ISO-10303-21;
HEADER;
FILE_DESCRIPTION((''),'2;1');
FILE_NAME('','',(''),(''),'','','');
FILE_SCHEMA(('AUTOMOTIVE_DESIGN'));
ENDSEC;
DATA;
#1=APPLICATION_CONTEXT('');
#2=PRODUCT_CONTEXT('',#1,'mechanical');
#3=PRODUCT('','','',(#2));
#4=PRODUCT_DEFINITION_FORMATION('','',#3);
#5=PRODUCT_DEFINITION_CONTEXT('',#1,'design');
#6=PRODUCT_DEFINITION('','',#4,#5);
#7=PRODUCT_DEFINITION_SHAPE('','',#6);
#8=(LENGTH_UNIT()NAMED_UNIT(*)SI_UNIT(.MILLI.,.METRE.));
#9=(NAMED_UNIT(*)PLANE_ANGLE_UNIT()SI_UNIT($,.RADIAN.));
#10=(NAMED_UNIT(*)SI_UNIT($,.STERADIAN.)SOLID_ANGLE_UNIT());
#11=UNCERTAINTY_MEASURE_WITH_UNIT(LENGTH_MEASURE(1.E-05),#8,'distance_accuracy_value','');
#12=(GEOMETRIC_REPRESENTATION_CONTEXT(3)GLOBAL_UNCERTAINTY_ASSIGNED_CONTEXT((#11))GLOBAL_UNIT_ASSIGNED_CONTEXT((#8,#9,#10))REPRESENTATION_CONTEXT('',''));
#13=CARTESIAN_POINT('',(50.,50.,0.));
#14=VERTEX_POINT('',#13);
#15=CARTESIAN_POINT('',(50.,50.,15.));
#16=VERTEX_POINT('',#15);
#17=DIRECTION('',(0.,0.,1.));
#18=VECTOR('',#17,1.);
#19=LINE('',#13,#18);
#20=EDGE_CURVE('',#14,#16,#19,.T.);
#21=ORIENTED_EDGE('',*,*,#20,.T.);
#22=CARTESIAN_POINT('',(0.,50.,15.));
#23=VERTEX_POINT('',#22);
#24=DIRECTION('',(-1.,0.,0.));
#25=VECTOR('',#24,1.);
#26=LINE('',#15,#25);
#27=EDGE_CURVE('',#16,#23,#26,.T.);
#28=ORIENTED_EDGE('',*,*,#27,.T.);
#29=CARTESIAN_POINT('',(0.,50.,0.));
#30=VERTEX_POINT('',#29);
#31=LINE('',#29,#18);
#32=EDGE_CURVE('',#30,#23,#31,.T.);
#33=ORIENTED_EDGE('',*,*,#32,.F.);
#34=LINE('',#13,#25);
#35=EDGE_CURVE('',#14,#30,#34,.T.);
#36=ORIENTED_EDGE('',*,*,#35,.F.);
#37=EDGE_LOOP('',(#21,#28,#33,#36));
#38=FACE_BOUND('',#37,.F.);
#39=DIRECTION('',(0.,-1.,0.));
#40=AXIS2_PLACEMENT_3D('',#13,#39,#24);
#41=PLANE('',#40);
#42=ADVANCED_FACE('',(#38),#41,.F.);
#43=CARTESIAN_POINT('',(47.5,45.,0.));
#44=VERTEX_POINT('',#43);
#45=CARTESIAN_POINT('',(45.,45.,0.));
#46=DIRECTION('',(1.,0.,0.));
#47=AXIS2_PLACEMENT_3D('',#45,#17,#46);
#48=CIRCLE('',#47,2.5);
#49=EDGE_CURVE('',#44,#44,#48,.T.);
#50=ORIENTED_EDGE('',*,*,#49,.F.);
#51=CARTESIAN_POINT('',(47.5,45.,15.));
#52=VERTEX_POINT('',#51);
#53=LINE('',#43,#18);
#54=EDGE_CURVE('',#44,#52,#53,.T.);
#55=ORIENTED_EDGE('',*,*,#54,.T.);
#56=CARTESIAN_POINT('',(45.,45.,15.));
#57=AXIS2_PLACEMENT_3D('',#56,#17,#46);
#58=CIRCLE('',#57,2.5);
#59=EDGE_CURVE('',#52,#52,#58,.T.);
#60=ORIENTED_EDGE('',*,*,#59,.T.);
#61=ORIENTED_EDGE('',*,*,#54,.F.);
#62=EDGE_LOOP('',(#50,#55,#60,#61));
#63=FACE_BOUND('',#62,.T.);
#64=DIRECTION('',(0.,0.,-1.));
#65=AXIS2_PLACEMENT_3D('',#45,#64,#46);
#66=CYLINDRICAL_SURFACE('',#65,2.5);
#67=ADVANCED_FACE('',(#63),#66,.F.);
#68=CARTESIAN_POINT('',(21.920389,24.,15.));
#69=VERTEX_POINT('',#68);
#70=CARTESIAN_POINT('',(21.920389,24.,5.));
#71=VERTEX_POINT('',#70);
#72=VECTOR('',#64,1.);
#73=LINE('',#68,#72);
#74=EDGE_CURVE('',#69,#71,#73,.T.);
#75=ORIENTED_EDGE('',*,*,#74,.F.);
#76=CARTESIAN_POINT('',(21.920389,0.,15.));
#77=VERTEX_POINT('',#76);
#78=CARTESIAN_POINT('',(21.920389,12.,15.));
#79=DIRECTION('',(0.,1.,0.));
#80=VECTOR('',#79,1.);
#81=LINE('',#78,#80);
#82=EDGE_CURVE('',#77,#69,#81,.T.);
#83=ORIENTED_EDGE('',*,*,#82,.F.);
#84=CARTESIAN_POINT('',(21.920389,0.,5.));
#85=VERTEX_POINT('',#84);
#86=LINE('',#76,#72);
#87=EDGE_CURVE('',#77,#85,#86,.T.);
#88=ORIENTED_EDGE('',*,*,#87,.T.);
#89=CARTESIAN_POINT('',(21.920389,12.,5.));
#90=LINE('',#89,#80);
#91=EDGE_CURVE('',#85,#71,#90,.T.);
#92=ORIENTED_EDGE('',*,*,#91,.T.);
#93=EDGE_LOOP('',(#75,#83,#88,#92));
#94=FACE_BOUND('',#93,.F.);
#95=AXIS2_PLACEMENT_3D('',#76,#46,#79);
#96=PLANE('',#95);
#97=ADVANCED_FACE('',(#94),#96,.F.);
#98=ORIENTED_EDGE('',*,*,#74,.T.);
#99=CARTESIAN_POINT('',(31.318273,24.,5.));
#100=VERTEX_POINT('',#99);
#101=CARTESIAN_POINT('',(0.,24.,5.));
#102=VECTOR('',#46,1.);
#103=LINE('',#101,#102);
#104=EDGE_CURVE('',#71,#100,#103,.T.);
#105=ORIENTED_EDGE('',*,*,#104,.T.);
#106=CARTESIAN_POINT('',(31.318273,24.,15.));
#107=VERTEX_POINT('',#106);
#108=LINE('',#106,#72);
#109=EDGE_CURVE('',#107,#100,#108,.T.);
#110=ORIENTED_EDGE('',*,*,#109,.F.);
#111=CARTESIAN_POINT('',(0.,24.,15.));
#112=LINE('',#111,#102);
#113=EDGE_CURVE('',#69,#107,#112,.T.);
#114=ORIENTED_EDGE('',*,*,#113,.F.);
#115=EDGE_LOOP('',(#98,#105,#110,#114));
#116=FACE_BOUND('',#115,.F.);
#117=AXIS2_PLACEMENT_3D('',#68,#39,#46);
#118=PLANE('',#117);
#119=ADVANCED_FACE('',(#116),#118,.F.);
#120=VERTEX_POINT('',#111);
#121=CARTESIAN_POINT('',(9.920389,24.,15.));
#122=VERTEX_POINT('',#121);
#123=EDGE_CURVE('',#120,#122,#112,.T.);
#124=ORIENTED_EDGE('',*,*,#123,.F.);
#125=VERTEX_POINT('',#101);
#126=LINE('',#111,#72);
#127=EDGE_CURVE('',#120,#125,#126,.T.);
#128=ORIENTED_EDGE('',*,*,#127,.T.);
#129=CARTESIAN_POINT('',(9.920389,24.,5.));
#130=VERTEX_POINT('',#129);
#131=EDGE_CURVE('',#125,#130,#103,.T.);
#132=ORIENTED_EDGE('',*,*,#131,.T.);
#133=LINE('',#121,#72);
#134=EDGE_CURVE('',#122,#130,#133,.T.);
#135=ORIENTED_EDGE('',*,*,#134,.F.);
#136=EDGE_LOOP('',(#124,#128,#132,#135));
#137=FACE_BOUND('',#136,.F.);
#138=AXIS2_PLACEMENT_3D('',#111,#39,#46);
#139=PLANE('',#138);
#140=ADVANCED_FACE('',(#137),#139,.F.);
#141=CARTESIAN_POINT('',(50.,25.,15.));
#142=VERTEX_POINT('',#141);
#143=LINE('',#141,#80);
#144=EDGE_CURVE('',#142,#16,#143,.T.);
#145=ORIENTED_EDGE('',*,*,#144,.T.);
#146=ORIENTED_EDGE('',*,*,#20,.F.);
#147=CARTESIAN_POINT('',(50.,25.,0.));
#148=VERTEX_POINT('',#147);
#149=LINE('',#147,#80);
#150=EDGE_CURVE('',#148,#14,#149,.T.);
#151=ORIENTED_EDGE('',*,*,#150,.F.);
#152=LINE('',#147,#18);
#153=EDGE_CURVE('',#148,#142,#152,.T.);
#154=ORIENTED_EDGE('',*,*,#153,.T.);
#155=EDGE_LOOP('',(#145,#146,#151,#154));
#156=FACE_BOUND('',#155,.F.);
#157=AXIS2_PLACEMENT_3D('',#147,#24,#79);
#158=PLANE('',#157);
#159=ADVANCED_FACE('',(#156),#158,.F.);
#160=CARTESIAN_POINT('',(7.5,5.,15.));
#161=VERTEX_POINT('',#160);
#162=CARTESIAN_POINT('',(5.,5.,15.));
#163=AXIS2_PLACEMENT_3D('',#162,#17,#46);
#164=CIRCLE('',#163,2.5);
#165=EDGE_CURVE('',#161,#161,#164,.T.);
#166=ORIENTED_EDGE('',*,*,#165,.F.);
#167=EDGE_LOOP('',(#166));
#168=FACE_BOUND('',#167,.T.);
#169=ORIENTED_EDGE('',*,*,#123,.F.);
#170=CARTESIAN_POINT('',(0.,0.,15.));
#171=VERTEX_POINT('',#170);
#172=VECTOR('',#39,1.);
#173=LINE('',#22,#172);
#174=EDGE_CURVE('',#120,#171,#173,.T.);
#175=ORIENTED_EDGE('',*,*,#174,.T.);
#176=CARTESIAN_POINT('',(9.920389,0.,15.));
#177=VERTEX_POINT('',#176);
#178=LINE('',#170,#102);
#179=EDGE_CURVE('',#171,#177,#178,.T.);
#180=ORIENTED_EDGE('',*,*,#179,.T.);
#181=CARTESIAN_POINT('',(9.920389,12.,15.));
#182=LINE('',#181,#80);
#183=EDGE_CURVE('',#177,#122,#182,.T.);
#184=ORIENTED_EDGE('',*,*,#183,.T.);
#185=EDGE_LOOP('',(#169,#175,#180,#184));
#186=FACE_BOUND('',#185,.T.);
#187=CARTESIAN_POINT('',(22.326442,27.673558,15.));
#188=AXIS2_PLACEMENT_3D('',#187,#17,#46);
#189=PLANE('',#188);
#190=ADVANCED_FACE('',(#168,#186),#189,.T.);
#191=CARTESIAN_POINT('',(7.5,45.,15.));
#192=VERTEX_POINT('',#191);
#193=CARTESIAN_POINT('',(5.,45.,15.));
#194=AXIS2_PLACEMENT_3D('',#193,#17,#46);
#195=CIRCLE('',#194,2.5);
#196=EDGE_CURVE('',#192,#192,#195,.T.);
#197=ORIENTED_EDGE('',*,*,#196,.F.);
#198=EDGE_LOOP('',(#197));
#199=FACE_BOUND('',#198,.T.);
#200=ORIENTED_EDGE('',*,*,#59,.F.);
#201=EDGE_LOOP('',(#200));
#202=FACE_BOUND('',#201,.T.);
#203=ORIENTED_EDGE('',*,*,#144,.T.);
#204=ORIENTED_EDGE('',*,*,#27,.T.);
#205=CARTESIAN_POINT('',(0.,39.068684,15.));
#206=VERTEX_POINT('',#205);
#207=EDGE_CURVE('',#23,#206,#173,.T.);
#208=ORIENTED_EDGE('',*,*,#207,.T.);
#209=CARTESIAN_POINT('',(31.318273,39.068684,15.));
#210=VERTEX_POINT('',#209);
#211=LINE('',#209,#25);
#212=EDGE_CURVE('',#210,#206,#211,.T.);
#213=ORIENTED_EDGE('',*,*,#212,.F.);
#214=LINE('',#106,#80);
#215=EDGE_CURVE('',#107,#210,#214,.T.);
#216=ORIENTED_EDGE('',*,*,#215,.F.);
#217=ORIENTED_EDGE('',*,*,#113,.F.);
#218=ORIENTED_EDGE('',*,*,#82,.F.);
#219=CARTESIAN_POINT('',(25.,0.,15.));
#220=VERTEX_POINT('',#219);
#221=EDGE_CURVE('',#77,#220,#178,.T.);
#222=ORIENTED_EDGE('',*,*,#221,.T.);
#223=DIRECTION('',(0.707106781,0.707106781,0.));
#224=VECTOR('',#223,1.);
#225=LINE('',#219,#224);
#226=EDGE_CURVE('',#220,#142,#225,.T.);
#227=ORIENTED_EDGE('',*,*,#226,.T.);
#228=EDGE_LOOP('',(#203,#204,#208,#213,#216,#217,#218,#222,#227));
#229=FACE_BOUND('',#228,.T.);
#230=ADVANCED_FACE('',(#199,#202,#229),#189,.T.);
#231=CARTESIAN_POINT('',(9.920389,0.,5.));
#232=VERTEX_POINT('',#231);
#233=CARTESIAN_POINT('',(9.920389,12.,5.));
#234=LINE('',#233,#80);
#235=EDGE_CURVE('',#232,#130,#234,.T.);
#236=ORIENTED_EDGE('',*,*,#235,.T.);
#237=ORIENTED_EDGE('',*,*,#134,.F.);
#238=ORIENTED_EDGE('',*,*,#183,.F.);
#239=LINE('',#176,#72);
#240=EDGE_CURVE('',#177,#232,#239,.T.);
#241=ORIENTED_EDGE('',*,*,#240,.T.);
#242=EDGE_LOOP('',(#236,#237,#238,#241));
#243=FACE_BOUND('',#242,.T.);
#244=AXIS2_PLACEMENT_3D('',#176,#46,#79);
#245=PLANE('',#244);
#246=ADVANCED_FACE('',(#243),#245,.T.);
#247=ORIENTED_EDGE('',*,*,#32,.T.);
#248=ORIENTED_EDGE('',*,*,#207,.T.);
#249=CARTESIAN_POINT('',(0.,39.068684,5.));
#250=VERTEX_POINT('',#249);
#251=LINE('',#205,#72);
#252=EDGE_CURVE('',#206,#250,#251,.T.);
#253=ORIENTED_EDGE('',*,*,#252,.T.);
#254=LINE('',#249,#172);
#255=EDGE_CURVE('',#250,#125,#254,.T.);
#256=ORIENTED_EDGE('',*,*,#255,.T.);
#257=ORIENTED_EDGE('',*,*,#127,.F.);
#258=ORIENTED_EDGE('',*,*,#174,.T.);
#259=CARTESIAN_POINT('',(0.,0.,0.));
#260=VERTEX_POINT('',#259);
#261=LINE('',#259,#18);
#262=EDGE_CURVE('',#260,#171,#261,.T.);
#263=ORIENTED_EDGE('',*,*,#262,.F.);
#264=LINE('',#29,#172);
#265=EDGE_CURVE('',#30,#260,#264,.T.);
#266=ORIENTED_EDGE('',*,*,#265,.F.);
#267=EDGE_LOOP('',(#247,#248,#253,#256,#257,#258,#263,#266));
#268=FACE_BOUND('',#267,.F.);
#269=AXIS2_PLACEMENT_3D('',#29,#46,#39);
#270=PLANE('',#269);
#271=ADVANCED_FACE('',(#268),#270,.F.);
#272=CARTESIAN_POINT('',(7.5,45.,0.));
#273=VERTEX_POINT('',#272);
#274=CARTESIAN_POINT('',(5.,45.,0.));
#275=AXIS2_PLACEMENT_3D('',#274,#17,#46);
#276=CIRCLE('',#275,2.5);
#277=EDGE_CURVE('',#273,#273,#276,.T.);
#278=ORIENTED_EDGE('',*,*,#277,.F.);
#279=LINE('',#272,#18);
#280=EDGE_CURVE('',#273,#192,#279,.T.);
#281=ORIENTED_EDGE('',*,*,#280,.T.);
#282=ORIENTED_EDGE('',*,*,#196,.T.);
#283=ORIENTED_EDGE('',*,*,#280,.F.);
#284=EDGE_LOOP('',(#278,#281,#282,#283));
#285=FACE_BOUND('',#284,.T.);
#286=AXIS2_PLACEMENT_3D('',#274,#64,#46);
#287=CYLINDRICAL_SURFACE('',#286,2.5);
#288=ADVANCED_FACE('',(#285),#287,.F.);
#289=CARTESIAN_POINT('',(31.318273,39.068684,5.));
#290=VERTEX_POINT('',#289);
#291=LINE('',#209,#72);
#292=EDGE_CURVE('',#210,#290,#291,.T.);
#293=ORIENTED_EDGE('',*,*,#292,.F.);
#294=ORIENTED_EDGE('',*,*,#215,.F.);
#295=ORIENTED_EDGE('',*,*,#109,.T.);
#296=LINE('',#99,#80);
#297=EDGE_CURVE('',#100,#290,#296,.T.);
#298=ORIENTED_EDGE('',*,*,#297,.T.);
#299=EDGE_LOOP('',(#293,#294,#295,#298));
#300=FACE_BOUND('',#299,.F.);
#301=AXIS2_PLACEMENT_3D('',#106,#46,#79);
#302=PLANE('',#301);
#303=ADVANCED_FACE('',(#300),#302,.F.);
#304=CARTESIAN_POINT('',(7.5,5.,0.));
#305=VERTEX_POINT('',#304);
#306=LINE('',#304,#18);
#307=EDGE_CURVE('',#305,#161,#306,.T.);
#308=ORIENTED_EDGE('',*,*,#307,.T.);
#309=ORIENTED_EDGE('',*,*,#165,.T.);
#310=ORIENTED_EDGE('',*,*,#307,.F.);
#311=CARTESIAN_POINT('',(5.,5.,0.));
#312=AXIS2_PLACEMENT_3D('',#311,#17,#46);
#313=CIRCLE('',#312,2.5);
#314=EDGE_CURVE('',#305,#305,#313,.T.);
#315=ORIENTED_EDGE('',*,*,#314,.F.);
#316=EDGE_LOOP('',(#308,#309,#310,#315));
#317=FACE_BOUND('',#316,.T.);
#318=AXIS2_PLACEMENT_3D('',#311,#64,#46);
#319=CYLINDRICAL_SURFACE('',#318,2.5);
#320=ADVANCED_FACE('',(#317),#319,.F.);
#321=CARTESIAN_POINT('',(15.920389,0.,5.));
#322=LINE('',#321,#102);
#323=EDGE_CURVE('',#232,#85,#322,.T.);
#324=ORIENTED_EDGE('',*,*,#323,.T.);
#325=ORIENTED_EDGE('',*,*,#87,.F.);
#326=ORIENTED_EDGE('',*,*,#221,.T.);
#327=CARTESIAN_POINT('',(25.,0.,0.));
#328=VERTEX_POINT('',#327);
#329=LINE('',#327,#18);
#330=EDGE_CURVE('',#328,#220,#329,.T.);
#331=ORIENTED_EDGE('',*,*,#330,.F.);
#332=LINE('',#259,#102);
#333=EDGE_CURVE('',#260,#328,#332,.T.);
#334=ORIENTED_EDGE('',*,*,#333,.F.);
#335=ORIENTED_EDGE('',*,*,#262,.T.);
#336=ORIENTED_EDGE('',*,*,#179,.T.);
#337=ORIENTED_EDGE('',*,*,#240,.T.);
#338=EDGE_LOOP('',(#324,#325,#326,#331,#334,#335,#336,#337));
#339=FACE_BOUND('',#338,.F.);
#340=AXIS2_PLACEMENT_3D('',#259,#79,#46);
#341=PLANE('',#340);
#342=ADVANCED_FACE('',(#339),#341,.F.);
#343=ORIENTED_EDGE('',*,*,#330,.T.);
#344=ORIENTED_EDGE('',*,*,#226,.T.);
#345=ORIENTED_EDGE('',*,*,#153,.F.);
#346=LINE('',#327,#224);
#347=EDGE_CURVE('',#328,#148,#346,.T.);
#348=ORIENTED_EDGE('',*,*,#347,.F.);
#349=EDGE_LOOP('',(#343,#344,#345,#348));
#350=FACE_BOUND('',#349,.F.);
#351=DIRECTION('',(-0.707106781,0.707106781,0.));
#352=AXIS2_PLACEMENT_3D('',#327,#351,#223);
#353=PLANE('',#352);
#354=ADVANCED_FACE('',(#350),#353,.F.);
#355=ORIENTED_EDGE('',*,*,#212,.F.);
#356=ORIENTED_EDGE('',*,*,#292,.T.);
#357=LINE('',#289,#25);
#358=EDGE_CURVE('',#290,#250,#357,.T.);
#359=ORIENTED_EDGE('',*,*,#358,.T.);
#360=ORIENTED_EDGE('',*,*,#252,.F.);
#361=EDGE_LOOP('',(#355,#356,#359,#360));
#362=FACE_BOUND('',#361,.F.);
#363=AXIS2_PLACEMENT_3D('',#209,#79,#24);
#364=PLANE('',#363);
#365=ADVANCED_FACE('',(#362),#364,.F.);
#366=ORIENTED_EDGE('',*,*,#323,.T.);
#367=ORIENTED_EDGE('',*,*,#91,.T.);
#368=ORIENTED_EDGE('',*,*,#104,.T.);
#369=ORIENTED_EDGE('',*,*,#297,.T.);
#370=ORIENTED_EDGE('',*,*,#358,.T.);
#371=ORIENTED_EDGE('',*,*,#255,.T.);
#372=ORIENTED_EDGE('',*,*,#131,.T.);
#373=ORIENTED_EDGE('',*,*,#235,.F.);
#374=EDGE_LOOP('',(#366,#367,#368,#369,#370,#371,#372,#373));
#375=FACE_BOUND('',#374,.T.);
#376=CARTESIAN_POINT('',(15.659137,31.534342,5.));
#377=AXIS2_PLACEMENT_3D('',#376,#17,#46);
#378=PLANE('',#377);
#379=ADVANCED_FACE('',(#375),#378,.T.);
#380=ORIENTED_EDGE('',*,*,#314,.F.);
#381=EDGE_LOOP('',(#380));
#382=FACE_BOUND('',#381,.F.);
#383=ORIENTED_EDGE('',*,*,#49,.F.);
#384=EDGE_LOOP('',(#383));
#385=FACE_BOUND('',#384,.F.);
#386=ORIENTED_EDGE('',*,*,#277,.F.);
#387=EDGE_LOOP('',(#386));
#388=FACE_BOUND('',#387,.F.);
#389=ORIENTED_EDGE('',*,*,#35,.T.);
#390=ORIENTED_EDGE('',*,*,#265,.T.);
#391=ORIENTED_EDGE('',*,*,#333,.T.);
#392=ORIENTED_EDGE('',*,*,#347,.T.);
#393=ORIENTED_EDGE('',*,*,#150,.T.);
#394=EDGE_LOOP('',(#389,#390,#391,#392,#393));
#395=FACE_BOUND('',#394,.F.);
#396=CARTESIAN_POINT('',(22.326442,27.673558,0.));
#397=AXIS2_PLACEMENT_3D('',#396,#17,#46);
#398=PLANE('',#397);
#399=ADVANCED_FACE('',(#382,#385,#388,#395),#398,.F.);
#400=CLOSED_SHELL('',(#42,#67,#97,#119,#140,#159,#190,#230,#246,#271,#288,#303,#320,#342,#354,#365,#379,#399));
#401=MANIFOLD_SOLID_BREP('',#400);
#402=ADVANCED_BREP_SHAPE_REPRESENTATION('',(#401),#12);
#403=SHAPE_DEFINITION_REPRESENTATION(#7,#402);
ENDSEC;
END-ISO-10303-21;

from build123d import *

# Parameters (mm, degrees)
F0_R     = 2.5
F1_DEPTH = 15
F2_W     = 12
F2_H     = 24
F3_DEPTH = 10


with BuildPart() as f1:
    # F0 (on Top) → F1 (new body)
    with BuildSketch(Plane.XY):
        Polygon((50, 50), (0, 50), (0, 0), (25, 0), (50, 25), align=None)
        with Locations((5, 5)):
            Circle(F0_R, mode=Mode.SUBTRACT)
        with Locations((5, 45)):
            Circle(F0_R, mode=Mode.SUBTRACT)
        with Locations((45, 45)):
            Circle(F0_R, mode=Mode.SUBTRACT)
    extrude(amount=F1_DEPTH)

    # F2 (on face) → F3 (cut)
    with BuildSketch(Plane.XY.offset(15)):
        Polygon((31.318273, 39.068684), (0, 39.068684), (0, 24), (9.920389, 24), (21.920389, 24), (31.318273, 24), align=None)
        with Locations((15.920389, 12)):
            Rectangle(F2_W, F2_H)
    extrude(amount=-F3_DEPTH, mode=Mode.SUBTRACT)


solid = f1.part
